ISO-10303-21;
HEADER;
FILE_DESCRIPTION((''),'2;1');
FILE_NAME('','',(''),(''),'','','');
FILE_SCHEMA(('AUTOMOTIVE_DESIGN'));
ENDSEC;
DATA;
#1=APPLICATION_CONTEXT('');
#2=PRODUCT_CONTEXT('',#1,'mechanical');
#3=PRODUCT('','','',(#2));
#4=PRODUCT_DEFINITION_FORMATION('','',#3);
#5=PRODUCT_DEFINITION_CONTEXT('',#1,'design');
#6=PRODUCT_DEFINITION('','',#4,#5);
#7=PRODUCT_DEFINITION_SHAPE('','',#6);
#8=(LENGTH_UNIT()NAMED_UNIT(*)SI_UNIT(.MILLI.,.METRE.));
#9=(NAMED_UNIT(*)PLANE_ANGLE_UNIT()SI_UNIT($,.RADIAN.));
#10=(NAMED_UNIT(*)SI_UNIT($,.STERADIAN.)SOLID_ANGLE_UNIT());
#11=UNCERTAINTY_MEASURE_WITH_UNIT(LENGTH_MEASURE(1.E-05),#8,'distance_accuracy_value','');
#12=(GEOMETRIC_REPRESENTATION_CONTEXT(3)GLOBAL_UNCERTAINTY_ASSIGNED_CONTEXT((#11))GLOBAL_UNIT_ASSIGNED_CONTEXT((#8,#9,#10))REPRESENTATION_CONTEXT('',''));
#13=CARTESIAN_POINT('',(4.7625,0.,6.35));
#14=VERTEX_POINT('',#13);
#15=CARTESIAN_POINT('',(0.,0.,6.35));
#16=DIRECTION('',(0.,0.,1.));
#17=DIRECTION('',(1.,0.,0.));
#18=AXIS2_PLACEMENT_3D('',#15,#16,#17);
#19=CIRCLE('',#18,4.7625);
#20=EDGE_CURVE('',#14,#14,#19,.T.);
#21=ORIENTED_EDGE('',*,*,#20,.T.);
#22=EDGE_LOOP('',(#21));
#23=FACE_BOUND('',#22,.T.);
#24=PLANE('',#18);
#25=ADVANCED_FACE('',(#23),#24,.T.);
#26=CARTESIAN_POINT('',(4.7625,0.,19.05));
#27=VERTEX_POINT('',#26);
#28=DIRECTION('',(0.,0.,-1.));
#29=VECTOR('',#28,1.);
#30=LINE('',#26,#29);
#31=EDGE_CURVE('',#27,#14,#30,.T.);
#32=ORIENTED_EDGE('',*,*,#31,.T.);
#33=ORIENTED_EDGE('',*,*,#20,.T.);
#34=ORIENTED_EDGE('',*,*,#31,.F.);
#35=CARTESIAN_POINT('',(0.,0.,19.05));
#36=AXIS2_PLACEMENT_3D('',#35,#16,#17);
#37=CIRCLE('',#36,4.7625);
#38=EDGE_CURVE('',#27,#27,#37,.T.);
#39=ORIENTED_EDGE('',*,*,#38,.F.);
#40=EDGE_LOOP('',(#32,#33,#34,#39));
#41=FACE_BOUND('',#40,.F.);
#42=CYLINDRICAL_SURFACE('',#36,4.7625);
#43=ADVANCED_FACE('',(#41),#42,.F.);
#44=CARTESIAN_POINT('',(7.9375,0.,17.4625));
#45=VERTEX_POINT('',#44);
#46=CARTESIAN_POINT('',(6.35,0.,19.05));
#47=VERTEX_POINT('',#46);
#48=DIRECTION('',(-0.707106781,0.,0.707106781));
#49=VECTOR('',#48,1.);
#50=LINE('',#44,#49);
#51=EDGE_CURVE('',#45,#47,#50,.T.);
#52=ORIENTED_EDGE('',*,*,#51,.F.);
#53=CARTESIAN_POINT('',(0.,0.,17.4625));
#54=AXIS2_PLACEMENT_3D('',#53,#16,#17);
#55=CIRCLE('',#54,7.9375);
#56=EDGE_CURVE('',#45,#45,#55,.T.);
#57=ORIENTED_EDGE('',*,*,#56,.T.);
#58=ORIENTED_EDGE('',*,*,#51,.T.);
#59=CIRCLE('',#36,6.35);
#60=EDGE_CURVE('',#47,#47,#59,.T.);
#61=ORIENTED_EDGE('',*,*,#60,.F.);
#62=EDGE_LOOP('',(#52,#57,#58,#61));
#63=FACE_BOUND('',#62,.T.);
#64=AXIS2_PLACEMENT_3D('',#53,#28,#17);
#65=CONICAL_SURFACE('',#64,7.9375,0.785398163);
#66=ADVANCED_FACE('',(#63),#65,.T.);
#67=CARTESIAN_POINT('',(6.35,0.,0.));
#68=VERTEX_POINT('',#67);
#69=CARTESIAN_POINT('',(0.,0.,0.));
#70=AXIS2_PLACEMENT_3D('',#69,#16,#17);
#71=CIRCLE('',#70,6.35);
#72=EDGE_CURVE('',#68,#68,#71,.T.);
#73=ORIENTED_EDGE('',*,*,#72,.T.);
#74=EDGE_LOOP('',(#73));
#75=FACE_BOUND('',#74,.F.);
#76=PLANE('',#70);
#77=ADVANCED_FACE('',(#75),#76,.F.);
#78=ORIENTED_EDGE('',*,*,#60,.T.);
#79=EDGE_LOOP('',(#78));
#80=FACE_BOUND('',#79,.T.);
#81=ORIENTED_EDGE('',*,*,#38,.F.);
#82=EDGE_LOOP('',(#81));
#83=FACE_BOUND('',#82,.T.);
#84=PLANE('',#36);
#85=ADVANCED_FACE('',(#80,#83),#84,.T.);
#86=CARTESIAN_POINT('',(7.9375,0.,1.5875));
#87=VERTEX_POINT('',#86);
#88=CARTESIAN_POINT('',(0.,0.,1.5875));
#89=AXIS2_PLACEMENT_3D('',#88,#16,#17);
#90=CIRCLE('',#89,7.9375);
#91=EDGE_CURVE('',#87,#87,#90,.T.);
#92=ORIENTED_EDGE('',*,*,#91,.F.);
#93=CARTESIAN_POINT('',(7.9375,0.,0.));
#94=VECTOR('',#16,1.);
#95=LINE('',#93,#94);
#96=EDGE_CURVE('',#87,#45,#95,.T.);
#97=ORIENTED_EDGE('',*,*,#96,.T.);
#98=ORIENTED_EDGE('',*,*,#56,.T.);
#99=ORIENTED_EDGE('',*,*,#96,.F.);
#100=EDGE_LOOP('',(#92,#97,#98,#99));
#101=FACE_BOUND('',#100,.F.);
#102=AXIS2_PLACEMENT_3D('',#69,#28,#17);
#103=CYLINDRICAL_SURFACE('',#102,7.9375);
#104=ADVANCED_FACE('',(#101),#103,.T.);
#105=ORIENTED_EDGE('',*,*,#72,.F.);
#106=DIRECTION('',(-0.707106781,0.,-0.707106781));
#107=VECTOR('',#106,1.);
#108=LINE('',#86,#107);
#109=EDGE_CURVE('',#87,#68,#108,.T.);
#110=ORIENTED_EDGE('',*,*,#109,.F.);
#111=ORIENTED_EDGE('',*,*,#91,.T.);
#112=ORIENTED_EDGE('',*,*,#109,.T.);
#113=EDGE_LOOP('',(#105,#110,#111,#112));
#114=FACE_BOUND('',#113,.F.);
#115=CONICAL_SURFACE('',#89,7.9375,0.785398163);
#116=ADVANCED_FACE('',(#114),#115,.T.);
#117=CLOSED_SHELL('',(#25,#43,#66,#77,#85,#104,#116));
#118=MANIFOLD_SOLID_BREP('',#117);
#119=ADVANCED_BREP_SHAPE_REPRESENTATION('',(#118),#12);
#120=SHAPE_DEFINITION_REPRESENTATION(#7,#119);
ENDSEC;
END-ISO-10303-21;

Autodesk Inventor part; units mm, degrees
ref_plane "YZ Plane" through (0, 0, 0) normal (1, 0, 0) x (0, 1, 0)
ref_plane "XZ Plane" through (0, 0, 0) normal (0, 1, 0) x (-1, 0, 0)
ref_plane "XY Plane" through (0, 0, 0) normal (0, 0, 1) x (1, 0, 0)
sketch "Boceto1" plane through (0, 0, 0) normal (0, 0, 1) x (1, 0, 0)
  circle A0 centre (0, 0) radius 7.9375
  circle A1 centre (0, 0) radius 4.7625
  dimension "d0" = 15.875
  dimension "d1" = 9.525
extrude "Extrusión1" add sketch "Boceto1" along normal blind 19.05 contours A0 | A1
sketch "Boceto2" plane through (0, 0, 19.05) normal (0, 0, 1) x (1, 0, 0)
  circle A0 centre (0, 0) radius 4.7625
  dimension "d4" = 9.525
extrude "Extrusión2" cut sketch "Boceto2" against normal blind 12.7
chamfer "Chaflán1" distance 1.5875 angle 45 1 edges at (-7.9375, 0, 19.05) measured on face at (6.7562, -1.0131, 19.05)
chamfer "Chaflán2" distance 1.5875 angle 45 1 edges at (-7.9375, 0, 0) measured on face at (-0.3189, 2.3213, 0)
sketch "Boceto3" plane through (0, 0, 0) normal (0, 0, -1) x (-1, 0, 0)
  point P0 (0, 0)
properties part number "Pieza8-Tarea1"
